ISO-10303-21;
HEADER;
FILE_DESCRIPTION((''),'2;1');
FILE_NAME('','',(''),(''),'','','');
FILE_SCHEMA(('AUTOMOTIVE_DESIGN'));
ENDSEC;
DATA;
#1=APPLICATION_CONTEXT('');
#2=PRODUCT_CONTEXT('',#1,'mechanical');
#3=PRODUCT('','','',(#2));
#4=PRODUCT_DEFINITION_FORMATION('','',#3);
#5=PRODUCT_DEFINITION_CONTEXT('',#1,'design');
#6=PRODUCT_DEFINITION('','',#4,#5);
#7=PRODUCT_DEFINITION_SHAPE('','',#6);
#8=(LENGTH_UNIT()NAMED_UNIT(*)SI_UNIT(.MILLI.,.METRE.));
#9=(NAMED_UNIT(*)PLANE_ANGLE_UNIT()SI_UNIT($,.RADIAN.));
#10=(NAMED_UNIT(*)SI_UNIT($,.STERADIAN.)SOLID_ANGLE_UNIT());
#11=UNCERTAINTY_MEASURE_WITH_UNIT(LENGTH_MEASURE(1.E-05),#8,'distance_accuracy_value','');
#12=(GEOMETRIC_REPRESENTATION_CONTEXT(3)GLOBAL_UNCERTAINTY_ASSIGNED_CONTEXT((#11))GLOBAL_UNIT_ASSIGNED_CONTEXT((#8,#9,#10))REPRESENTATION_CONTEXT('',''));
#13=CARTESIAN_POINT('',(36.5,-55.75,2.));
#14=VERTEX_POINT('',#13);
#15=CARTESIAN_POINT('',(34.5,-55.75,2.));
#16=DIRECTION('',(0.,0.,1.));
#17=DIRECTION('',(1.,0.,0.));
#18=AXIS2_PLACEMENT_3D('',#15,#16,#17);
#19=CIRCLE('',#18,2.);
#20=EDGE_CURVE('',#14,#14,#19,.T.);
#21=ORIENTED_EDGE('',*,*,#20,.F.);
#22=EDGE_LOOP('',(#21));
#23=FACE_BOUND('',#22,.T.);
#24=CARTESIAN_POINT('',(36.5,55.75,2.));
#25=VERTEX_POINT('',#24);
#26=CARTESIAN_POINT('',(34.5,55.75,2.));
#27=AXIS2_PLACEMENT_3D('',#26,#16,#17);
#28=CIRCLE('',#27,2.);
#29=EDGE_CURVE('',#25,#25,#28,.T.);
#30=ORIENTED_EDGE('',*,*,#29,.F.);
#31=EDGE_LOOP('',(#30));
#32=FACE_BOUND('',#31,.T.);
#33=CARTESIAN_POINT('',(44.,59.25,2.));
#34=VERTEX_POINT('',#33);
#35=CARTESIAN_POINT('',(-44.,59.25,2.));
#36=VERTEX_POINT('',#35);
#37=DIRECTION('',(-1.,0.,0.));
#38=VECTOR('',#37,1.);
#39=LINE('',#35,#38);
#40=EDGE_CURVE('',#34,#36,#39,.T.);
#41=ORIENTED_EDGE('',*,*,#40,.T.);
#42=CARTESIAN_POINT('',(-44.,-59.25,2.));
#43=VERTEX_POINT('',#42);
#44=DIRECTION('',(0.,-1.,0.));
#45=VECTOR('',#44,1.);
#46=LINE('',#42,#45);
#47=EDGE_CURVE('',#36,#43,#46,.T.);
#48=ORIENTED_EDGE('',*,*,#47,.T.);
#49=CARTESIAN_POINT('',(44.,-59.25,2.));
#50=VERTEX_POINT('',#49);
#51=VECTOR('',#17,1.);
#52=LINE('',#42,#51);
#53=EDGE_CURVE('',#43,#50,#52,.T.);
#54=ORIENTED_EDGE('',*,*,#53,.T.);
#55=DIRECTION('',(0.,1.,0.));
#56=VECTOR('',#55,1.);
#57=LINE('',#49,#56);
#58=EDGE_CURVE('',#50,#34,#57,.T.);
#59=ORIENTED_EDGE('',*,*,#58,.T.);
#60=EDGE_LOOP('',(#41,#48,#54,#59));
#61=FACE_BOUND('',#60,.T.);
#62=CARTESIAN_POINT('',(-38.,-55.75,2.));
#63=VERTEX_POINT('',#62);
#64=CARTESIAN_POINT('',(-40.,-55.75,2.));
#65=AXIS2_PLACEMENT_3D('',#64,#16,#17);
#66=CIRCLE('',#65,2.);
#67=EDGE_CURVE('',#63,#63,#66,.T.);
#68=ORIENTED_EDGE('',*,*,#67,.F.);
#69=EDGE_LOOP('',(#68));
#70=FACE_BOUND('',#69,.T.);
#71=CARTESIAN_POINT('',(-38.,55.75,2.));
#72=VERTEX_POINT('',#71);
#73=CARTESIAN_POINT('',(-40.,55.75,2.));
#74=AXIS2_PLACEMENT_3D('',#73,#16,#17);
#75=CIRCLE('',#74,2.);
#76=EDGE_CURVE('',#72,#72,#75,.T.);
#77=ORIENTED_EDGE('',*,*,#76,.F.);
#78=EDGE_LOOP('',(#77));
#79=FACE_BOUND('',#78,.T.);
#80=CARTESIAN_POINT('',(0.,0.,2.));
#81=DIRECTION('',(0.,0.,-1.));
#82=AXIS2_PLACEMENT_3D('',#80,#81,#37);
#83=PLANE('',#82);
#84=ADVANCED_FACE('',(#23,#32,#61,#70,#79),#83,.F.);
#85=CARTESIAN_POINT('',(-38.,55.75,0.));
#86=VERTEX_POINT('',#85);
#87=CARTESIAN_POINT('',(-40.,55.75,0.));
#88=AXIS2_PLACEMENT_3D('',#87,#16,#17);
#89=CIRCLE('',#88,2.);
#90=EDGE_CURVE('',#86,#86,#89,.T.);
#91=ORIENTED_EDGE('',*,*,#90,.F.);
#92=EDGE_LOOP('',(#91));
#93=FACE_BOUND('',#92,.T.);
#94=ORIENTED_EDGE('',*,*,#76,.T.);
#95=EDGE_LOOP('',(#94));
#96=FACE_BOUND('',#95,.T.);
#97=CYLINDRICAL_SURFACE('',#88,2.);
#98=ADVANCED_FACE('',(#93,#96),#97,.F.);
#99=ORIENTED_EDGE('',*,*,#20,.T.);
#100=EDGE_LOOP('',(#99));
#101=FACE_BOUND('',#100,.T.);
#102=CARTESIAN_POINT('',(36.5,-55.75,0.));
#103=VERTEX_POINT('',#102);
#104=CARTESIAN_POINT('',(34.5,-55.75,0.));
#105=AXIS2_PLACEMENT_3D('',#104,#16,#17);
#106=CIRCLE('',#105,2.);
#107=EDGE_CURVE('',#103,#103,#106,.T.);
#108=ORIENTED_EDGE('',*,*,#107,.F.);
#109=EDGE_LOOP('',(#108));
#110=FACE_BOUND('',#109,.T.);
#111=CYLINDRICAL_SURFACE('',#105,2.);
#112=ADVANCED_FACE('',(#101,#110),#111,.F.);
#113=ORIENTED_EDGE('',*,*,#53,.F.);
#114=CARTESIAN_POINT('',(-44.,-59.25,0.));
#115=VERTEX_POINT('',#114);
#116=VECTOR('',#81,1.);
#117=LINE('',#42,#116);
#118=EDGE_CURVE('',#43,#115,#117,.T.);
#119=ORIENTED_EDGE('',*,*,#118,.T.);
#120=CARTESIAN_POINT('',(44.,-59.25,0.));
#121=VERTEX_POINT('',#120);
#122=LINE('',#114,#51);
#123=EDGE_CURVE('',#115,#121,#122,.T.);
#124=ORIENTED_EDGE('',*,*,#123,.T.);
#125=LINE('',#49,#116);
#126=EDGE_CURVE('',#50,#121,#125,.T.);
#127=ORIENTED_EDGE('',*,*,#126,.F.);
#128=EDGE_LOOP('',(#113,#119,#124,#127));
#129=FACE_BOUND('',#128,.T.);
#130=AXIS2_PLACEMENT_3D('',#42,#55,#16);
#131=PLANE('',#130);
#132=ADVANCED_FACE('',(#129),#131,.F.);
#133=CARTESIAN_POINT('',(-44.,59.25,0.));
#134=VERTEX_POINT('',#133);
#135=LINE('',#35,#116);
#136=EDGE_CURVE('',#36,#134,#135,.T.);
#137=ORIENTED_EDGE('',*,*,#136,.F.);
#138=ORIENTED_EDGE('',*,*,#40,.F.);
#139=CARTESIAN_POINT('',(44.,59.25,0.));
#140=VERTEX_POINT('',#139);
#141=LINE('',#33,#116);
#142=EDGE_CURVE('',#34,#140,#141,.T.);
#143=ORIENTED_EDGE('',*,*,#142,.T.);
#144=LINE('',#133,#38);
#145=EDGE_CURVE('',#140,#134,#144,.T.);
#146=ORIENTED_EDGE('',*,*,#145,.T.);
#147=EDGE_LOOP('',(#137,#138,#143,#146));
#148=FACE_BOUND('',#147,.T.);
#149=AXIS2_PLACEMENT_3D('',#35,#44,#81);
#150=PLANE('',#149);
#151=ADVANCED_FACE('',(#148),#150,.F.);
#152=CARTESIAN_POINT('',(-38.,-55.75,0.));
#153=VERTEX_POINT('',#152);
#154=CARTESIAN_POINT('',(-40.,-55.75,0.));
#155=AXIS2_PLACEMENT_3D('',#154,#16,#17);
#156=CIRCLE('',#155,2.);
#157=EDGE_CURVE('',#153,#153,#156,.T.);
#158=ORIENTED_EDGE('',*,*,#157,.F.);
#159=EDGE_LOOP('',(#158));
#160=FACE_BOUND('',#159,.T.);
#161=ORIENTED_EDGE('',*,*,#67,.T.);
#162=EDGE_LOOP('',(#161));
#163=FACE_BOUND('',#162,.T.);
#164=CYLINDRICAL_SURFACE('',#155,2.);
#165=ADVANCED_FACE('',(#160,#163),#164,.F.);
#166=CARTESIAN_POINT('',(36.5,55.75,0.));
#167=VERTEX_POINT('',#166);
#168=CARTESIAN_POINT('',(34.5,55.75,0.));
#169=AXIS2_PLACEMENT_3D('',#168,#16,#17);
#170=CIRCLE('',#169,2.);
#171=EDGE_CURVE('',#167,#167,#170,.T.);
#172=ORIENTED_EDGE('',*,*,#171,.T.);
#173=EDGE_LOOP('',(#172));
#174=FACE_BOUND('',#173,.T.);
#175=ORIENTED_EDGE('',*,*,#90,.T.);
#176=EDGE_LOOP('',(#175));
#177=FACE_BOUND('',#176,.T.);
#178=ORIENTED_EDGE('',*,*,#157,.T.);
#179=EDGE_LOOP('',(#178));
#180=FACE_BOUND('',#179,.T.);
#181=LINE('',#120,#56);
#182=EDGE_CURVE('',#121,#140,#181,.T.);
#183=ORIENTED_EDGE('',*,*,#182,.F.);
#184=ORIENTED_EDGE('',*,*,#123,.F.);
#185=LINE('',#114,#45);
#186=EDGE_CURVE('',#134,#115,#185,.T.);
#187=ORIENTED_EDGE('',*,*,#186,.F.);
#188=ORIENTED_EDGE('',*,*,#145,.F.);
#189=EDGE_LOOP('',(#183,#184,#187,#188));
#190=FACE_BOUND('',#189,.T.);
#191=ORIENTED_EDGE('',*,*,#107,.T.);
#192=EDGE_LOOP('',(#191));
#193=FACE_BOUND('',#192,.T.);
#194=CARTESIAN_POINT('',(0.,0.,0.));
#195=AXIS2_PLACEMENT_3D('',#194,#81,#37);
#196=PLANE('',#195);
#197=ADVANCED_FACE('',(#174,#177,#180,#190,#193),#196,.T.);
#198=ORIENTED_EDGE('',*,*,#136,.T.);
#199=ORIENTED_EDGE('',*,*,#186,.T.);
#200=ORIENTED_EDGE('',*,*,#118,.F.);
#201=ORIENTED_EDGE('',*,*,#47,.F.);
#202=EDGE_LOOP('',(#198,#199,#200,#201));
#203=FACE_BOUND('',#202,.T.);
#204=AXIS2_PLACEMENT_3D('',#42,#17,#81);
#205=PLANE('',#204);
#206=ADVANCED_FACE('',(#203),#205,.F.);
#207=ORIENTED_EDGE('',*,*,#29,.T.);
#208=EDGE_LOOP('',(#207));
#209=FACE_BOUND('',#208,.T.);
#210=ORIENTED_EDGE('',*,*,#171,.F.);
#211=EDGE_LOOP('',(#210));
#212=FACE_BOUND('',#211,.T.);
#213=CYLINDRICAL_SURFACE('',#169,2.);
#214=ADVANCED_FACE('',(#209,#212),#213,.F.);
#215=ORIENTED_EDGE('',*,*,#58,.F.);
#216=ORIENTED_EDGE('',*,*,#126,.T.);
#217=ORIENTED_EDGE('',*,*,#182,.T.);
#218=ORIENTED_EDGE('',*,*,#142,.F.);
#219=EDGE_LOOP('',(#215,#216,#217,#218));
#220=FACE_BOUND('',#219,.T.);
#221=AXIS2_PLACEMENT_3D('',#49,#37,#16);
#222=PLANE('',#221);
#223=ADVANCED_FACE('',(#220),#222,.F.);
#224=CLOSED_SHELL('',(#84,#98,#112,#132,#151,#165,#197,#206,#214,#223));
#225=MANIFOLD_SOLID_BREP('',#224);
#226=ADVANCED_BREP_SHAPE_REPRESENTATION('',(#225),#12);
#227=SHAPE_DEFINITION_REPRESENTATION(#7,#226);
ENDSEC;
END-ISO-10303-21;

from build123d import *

# Parameters (mm, degrees)
MAIN_SKETCH_W        = 88
MAIN_SKETCH_H        = 118.5
MAIN_EXTRUSION_DEPTH = 2
FIX_SKETCH_R         = 2
FIX_HOLE_DEPTH       = 3


with BuildPart() as part:
    # Main-Sketch → Main-Extrusion (new body)
    with BuildSketch(Plane.XY):
        Rectangle(MAIN_SKETCH_W, MAIN_SKETCH_H)
    extrude(amount=MAIN_EXTRUSION_DEPTH)

    # Fix-Sketch → Fix-Hole (cut, through all)
    with BuildSketch(Plane.XY.offset(2)):
        with Locations((-40, 55.75)):
            Circle(FIX_SKETCH_R)
        with Locations((-40, -55.75)):
            Circle(FIX_SKETCH_R)
        with Locations((34.5, -55.75)):
            Circle(FIX_SKETCH_R)
        with Locations((34.5, 55.75)):
            Circle(FIX_SKETCH_R)
    extrude(amount=-FIX_HOLE_DEPTH, mode=Mode.SUBTRACT)


solid = part.part
